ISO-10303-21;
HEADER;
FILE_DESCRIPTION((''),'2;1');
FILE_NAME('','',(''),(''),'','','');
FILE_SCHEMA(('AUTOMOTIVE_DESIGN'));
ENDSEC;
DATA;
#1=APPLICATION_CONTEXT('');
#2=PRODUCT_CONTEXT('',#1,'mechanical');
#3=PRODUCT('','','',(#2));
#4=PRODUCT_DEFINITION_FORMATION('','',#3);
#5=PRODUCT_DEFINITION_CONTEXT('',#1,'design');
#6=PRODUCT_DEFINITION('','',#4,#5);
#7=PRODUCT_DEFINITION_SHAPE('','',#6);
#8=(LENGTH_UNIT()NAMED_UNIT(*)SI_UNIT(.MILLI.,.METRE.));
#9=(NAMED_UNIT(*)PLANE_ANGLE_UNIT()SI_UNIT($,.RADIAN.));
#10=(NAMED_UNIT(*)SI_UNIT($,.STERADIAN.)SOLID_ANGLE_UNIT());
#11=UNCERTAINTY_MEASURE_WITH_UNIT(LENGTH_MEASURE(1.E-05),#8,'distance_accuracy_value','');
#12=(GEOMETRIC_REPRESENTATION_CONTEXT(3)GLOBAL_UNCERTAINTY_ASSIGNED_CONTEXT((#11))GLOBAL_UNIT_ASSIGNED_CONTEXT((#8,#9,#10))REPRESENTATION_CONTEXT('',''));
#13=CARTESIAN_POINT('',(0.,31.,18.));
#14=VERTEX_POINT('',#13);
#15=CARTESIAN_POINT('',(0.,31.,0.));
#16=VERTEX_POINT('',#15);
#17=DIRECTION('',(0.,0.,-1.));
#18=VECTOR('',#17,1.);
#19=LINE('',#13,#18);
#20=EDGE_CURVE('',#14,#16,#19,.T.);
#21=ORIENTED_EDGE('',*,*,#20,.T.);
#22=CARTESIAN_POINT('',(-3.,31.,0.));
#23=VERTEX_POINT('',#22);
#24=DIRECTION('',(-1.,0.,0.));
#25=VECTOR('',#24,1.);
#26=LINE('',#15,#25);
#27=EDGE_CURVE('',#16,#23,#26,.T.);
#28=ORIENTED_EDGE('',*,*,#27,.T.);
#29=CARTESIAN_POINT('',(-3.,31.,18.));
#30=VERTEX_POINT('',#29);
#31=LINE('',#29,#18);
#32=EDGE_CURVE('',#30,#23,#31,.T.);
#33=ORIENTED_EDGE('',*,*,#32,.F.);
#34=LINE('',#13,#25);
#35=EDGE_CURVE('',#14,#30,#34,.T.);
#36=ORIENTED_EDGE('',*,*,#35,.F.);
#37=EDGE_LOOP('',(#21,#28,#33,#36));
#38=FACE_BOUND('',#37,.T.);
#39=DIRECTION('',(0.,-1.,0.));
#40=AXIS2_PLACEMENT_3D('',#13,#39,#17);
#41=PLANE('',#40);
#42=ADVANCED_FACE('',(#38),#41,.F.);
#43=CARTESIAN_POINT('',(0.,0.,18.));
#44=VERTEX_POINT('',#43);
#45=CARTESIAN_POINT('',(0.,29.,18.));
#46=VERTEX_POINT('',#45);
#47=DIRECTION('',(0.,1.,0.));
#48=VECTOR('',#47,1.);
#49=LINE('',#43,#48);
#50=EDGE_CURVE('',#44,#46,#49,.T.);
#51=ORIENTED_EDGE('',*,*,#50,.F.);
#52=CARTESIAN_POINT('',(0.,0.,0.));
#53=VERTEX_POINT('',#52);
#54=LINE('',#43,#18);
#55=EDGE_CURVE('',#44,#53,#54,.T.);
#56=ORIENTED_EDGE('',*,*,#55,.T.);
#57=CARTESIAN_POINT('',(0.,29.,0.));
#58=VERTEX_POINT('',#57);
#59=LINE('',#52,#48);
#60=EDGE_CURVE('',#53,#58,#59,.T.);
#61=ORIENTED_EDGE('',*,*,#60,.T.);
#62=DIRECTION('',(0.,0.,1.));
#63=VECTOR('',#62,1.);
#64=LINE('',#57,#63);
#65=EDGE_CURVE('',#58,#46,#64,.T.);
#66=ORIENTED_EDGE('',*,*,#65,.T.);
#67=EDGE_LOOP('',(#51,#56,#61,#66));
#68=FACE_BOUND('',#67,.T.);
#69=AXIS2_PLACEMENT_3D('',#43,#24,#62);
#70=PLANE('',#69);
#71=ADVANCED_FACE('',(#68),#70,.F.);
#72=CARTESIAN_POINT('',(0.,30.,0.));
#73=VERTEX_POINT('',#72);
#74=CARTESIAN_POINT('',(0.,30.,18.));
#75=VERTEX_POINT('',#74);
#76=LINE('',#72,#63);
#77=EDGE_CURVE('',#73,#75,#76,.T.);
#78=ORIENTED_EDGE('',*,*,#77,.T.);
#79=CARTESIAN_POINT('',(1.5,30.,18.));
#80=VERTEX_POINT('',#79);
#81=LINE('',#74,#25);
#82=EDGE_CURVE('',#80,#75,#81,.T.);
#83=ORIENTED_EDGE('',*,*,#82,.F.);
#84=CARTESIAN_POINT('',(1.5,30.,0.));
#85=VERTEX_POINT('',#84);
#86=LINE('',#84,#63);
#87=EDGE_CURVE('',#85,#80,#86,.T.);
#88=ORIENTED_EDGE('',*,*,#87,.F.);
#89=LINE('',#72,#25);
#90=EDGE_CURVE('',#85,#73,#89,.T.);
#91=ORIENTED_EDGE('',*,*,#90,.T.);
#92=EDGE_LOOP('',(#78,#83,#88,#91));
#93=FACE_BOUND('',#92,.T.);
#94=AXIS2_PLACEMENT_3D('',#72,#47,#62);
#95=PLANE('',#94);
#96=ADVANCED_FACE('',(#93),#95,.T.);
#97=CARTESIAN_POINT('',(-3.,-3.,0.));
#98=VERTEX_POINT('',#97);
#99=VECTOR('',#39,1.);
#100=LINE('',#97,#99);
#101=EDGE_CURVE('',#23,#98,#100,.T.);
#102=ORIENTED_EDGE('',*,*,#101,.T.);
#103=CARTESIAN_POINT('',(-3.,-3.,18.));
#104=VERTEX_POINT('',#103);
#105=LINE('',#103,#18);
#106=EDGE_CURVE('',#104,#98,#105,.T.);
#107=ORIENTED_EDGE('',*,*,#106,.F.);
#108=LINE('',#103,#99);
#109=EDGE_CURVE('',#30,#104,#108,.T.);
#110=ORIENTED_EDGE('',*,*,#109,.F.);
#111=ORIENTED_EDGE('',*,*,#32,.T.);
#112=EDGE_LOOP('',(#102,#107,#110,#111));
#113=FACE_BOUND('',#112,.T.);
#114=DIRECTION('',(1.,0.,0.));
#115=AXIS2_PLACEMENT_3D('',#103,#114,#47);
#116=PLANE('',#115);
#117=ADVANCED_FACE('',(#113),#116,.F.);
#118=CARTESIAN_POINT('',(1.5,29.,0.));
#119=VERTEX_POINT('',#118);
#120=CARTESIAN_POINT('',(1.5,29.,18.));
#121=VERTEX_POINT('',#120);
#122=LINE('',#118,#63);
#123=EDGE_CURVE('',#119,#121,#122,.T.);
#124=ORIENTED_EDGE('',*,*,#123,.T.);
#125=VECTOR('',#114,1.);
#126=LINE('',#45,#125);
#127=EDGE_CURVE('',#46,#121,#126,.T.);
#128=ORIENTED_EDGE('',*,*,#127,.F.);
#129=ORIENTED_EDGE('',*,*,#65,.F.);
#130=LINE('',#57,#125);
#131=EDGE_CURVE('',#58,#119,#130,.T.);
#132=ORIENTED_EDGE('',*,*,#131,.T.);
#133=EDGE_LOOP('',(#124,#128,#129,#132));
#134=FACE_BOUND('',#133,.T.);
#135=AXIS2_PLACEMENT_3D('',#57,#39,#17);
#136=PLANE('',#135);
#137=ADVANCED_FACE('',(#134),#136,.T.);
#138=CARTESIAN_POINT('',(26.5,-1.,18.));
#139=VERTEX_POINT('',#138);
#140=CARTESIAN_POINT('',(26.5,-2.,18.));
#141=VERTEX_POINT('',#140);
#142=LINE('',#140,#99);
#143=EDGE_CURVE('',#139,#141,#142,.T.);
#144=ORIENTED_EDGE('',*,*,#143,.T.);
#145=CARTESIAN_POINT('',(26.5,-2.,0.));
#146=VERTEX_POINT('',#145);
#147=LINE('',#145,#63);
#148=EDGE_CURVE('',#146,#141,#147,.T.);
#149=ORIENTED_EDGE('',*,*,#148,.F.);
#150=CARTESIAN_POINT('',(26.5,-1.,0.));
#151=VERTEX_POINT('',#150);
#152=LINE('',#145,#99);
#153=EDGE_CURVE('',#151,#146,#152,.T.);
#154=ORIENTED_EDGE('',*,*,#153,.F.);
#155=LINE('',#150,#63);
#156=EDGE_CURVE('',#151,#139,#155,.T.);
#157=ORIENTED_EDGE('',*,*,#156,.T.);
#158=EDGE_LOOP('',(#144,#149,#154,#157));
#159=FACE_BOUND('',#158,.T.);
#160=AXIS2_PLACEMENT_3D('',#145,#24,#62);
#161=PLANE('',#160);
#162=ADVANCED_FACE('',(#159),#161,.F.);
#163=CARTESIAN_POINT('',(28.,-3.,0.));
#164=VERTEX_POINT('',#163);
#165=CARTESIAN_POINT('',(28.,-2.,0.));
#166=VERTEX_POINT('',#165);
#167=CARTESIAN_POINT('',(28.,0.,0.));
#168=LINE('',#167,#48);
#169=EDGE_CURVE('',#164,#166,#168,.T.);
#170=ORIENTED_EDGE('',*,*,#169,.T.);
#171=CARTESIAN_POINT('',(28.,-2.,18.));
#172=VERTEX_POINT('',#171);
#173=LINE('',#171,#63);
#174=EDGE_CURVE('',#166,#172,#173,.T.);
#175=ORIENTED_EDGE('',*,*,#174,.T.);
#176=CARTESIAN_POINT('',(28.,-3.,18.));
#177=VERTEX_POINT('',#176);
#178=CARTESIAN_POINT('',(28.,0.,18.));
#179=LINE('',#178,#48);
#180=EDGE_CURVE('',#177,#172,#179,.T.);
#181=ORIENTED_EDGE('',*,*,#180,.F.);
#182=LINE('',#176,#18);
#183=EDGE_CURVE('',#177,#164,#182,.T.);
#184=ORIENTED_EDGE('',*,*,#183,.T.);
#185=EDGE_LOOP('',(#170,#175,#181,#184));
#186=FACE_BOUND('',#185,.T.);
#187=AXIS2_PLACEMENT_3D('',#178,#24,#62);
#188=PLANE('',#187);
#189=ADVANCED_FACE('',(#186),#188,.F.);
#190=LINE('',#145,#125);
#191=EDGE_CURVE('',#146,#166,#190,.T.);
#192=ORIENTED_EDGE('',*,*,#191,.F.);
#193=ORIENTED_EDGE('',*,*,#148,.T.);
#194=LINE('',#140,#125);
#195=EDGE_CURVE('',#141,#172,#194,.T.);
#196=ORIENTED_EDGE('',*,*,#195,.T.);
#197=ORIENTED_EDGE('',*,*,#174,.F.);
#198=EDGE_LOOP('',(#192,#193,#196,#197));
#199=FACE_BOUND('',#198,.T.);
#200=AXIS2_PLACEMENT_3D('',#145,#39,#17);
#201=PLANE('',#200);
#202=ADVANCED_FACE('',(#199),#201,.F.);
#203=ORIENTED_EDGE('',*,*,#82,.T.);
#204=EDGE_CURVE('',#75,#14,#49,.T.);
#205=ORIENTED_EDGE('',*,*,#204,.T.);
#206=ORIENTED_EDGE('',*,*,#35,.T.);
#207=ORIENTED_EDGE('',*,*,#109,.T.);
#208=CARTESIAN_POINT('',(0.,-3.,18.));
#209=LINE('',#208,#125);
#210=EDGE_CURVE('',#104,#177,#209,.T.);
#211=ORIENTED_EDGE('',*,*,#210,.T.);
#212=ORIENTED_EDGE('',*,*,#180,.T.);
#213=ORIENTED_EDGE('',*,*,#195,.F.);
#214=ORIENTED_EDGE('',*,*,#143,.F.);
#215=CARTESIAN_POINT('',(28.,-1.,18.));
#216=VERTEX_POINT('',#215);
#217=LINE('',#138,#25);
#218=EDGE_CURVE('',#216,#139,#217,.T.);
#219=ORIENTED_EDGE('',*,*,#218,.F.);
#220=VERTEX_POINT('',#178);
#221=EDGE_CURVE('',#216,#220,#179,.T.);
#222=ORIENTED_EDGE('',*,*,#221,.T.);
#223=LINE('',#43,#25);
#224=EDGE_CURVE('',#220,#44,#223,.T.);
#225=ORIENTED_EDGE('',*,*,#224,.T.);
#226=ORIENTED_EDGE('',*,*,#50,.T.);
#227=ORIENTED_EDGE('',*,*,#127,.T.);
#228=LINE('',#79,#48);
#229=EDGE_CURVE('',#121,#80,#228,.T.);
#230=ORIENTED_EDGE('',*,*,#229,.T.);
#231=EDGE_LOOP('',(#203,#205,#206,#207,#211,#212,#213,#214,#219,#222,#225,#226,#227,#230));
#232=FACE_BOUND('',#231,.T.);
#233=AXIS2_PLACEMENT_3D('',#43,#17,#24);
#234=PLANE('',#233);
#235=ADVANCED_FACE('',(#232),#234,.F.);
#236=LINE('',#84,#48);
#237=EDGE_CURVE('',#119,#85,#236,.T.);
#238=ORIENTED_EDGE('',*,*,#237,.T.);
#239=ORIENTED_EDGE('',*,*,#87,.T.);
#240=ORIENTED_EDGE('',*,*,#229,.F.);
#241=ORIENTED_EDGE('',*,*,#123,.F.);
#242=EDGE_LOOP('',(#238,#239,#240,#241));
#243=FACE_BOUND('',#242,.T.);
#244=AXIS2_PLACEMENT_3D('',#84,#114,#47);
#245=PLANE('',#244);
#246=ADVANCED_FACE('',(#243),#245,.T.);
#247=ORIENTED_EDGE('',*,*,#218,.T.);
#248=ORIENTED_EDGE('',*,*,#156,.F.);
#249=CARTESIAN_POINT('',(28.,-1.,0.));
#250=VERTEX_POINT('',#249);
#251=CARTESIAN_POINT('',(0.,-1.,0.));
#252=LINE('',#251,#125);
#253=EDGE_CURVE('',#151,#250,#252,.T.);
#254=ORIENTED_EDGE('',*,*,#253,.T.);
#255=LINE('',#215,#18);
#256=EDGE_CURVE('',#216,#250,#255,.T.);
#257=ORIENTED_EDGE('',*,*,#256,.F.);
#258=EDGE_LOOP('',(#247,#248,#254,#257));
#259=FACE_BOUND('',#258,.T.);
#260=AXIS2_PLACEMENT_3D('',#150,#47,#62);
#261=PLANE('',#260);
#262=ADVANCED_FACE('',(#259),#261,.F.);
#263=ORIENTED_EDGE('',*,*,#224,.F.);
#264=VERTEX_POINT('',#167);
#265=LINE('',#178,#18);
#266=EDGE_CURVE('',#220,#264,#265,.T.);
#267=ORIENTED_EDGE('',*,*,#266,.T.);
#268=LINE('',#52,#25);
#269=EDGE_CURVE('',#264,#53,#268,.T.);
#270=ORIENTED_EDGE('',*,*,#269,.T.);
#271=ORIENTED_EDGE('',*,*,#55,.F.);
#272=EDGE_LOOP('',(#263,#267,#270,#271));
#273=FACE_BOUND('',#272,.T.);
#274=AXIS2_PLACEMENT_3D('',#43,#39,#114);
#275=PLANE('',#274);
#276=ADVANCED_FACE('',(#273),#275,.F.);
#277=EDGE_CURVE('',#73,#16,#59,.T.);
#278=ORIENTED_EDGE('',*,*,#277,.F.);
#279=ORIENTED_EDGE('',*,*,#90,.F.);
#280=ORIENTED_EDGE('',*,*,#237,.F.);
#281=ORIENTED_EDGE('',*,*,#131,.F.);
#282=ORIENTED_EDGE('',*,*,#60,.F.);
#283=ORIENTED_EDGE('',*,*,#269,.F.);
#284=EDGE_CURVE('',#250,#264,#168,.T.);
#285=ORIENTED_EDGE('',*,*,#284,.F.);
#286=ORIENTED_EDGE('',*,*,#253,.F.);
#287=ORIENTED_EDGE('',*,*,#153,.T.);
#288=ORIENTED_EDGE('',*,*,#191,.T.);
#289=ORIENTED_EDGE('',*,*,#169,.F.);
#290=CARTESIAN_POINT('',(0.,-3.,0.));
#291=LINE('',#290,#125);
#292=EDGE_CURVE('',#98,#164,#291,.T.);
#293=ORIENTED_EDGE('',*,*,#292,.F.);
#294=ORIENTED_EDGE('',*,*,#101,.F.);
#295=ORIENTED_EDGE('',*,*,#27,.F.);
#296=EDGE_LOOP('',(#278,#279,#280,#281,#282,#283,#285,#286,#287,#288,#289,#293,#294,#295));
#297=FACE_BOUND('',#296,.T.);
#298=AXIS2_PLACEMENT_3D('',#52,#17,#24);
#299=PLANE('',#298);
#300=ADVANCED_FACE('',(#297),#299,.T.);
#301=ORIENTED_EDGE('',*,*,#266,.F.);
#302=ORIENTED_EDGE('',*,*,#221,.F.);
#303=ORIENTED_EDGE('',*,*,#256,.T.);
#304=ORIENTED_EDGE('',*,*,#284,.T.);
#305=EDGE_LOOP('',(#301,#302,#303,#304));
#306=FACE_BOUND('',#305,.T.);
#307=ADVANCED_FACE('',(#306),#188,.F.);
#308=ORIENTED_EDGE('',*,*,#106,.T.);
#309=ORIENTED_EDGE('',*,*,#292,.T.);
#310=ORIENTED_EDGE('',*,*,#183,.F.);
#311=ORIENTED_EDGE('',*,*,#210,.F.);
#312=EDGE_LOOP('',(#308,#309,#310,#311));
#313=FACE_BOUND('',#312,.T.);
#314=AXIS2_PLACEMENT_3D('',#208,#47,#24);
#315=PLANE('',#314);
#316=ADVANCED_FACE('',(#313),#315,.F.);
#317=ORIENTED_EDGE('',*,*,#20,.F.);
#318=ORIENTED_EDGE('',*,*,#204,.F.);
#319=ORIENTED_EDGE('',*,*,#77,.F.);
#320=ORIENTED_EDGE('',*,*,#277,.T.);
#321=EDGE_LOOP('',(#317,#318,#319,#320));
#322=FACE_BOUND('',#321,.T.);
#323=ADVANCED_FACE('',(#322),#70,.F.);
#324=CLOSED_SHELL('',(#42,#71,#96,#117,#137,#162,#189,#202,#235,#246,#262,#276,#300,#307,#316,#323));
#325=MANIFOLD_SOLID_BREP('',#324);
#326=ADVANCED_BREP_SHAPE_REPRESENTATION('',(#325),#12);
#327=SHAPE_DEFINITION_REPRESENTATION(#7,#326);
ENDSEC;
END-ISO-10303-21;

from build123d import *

# Parameters (mm, degrees)
BOSS_EXTRUDE_EQUERRE_DEPTH = 18
ESQUISSE2_W                = 3
ESQUISSE2_H                = 1
ENL_V_MAT_EXTRU_1_DEPTH    = 19
ESQUISSE3_W                = 1.5
ESQUISSE3_H                = 1
BOSS_EXTRU_1_DEPTH         = 18


with BuildPart() as part:
    # Esquisse1 → Boss_Extrude_Equerre (new body)
    with BuildSketch(Plane(origin=(0, 0, 0), x_dir=(0, 1, 0), z_dir=(0, 0, 1))):
        Polygon((0, 0), (31, 0), (31, 3), (-3, 3), (-3, 0), (-3, -28), (0, -28), align=None)
    extrude(amount=BOSS_EXTRUDE_EQUERRE_DEPTH)

    # Esquisse2 → Enlèv. mat.-Extru.1 (cut, through all)
    with BuildSketch(Plane.XY.offset(18)):
        with Locations((28, -1.5)):
            Rectangle(ESQUISSE2_W, ESQUISSE2_H)
    extrude(amount=-ENL_V_MAT_EXTRU_1_DEPTH, mode=Mode.SUBTRACT)

    # Esquisse3 → Boss.-Extru.1 (add, through all)
    with BuildSketch(Plane.XY.offset(18)):
        with Locations((0.75, 29.5)):
            Rectangle(ESQUISSE3_W, ESQUISSE3_H)
    extrude(amount=-BOSS_EXTRU_1_DEPTH)


solid = part.part
